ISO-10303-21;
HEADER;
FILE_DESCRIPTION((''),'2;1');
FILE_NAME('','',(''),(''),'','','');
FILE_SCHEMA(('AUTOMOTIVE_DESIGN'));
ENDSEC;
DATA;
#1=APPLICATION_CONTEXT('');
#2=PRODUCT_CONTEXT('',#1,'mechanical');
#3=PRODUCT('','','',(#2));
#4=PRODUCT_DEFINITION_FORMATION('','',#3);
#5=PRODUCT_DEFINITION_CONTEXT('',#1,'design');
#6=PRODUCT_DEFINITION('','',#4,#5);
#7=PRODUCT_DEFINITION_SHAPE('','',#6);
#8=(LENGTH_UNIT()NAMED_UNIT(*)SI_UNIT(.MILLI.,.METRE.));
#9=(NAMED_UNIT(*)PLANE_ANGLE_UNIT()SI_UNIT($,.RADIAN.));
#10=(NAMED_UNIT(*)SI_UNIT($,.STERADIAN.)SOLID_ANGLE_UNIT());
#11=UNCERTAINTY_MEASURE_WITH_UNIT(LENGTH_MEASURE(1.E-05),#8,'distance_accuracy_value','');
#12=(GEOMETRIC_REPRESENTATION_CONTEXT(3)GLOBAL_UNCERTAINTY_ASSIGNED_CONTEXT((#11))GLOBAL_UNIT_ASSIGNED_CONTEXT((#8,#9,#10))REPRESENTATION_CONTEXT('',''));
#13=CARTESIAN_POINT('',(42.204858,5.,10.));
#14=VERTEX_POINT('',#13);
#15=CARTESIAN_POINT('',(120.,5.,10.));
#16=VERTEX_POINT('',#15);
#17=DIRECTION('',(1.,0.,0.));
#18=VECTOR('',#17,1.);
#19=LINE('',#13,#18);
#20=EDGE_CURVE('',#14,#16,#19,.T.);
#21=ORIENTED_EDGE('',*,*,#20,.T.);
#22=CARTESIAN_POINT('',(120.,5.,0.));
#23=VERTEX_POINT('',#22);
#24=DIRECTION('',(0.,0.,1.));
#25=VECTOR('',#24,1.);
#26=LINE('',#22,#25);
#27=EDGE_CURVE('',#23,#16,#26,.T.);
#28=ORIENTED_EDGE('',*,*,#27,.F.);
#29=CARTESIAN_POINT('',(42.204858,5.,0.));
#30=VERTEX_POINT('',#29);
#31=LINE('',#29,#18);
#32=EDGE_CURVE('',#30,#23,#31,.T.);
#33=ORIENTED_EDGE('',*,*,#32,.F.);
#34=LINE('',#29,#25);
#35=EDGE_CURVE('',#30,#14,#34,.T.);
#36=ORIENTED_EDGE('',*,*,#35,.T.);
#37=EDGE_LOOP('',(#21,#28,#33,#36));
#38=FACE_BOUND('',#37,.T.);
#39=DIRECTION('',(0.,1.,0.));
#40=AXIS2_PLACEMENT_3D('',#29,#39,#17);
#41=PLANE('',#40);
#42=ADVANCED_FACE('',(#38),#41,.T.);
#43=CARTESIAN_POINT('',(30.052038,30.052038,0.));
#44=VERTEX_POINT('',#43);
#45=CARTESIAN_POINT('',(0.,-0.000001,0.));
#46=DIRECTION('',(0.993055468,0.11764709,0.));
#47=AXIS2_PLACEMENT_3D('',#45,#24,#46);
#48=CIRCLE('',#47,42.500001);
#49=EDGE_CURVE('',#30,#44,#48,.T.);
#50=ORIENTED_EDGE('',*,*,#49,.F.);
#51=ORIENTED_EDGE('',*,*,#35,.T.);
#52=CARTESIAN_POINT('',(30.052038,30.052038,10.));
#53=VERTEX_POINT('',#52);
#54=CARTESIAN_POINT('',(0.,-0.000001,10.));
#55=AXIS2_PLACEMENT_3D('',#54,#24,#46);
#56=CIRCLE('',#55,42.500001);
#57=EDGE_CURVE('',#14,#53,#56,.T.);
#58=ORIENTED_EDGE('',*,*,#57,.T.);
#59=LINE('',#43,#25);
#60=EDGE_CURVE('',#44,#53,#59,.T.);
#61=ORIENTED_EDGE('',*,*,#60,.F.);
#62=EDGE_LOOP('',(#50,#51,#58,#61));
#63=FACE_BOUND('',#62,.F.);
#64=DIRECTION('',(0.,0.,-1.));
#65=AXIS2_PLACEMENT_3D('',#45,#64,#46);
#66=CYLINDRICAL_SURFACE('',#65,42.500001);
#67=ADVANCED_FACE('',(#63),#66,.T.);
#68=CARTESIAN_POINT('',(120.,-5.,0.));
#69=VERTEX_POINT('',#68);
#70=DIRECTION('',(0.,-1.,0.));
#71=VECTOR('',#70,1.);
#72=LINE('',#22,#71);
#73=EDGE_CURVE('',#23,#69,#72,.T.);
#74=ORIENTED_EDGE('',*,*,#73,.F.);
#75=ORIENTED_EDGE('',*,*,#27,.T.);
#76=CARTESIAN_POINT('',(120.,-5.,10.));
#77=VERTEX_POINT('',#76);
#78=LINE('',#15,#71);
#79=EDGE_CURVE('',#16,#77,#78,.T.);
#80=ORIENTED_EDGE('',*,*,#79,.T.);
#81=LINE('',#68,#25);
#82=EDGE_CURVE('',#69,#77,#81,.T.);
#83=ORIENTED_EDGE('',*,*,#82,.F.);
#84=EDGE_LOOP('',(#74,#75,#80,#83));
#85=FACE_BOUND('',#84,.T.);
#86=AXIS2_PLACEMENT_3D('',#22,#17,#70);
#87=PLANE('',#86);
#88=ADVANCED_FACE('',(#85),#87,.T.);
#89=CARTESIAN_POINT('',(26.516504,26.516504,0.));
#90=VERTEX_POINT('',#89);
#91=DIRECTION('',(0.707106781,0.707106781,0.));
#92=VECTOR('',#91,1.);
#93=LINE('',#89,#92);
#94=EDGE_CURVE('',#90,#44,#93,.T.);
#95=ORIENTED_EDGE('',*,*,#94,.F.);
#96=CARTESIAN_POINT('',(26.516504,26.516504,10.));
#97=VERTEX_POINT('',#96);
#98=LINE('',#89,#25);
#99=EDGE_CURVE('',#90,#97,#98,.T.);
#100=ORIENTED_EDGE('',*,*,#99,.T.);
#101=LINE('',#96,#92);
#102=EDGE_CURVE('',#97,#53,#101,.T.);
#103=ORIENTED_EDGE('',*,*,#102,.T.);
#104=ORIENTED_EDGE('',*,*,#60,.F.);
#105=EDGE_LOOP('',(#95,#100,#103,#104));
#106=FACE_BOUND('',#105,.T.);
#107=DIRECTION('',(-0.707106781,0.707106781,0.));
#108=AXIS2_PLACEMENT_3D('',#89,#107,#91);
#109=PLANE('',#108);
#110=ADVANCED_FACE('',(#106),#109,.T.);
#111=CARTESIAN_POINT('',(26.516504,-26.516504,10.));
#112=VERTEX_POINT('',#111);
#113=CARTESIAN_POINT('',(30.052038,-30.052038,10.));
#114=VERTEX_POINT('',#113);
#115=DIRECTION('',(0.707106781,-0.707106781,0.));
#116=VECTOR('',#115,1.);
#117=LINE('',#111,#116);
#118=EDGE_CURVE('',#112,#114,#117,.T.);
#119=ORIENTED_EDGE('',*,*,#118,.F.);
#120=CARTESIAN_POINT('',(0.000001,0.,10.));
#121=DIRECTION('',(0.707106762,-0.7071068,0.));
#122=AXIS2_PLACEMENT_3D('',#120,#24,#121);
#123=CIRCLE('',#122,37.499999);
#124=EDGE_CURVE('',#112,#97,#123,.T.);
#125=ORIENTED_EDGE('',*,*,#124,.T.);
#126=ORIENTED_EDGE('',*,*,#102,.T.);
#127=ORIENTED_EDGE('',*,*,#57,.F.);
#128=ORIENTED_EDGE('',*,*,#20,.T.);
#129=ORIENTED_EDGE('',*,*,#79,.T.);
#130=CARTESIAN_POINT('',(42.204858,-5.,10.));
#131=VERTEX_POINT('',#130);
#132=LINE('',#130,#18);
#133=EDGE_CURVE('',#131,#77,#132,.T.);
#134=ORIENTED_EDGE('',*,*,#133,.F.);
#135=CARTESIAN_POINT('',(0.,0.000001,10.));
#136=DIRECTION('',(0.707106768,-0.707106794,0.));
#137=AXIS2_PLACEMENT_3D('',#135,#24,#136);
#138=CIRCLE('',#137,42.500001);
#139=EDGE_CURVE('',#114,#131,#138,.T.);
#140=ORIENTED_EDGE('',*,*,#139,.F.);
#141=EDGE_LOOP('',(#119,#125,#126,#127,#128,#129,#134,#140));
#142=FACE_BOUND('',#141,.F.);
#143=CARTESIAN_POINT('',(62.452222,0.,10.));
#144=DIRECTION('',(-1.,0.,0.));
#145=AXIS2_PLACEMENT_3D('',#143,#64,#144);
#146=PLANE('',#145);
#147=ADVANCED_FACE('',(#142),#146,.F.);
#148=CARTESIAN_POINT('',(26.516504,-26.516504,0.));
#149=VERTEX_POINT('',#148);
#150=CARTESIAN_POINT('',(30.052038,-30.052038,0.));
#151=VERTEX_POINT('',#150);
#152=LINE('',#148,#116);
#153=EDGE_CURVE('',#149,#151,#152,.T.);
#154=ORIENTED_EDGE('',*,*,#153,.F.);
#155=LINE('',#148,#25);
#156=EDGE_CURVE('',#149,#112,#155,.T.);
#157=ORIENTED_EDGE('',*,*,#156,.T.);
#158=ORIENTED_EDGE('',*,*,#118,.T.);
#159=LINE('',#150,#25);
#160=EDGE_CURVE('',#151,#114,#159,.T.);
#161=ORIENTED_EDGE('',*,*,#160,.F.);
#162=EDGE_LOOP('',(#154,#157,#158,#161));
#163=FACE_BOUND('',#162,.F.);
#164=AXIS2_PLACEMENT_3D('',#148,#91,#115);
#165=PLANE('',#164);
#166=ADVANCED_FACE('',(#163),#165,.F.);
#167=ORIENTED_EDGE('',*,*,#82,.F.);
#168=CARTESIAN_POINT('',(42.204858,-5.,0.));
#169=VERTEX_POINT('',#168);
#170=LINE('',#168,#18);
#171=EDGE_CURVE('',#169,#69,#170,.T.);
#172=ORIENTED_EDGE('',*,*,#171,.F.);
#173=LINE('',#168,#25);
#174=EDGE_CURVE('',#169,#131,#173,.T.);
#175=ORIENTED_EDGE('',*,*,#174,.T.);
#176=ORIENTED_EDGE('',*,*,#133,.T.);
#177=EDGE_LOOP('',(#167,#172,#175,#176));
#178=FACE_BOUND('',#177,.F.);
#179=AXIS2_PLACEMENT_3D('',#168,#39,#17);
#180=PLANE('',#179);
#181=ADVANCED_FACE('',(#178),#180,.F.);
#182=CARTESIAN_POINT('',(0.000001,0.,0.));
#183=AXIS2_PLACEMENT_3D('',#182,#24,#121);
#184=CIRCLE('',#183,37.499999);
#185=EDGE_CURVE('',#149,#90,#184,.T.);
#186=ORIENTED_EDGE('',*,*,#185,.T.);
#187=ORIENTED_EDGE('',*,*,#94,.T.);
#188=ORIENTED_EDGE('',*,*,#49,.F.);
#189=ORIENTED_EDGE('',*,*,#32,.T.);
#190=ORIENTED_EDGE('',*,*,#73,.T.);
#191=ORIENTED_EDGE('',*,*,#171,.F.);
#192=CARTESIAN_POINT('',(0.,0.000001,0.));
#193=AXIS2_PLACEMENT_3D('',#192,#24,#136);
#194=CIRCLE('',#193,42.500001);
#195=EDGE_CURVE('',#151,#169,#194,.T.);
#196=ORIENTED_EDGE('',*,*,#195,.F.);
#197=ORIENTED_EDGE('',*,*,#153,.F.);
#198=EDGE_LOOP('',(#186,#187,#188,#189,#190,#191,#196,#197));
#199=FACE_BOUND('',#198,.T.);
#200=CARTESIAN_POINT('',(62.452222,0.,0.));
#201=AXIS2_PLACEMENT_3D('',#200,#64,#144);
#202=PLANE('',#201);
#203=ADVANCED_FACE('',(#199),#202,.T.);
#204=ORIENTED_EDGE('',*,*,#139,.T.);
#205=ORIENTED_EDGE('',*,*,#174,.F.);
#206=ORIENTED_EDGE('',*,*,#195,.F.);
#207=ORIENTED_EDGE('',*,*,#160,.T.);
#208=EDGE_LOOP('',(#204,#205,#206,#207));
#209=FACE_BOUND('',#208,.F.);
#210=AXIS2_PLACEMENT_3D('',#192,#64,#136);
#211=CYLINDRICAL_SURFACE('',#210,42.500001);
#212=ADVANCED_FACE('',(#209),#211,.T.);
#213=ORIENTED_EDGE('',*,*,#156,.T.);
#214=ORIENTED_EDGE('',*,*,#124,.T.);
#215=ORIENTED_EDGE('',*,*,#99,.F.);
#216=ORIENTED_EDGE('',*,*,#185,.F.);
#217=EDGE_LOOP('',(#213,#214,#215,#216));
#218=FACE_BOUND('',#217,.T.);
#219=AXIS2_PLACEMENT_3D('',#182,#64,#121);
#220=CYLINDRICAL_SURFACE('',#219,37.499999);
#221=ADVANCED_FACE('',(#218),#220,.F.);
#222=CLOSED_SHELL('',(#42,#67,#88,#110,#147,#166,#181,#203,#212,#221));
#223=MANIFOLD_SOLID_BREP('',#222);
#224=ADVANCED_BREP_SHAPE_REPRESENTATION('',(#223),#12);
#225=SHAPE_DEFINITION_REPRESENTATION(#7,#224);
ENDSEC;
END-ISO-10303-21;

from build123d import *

# Parameters (mm, degrees)
PAD_DEPTH = 10


with BuildPart() as part:
    # Sketch001 → Pad (new body)
    with BuildSketch(Plane.XY):
        with BuildLine():
            ThreePointArc((26.516504, -26.516504), (37.5, 0), (26.516504, 26.516504))
            Line((26.516504, 26.516504), (30.052038, 30.052038))
            ThreePointArc((42.204858, 5), (38.238278, 18.549504), (30.052038, 30.052038))
            Line((42.204858, 5), (120, 5))
            Line((120, 5), (120, -5))
            Line((42.204858, -5), (120, -5))
            ThreePointArc((30.052038, -30.052038), (38.238278, -18.549504), (42.204858, -5))
            Line((26.516504, -26.516504), (30.052038, -30.052038))
        make_face()
    extrude(amount=PAD_DEPTH)


solid = part.part
